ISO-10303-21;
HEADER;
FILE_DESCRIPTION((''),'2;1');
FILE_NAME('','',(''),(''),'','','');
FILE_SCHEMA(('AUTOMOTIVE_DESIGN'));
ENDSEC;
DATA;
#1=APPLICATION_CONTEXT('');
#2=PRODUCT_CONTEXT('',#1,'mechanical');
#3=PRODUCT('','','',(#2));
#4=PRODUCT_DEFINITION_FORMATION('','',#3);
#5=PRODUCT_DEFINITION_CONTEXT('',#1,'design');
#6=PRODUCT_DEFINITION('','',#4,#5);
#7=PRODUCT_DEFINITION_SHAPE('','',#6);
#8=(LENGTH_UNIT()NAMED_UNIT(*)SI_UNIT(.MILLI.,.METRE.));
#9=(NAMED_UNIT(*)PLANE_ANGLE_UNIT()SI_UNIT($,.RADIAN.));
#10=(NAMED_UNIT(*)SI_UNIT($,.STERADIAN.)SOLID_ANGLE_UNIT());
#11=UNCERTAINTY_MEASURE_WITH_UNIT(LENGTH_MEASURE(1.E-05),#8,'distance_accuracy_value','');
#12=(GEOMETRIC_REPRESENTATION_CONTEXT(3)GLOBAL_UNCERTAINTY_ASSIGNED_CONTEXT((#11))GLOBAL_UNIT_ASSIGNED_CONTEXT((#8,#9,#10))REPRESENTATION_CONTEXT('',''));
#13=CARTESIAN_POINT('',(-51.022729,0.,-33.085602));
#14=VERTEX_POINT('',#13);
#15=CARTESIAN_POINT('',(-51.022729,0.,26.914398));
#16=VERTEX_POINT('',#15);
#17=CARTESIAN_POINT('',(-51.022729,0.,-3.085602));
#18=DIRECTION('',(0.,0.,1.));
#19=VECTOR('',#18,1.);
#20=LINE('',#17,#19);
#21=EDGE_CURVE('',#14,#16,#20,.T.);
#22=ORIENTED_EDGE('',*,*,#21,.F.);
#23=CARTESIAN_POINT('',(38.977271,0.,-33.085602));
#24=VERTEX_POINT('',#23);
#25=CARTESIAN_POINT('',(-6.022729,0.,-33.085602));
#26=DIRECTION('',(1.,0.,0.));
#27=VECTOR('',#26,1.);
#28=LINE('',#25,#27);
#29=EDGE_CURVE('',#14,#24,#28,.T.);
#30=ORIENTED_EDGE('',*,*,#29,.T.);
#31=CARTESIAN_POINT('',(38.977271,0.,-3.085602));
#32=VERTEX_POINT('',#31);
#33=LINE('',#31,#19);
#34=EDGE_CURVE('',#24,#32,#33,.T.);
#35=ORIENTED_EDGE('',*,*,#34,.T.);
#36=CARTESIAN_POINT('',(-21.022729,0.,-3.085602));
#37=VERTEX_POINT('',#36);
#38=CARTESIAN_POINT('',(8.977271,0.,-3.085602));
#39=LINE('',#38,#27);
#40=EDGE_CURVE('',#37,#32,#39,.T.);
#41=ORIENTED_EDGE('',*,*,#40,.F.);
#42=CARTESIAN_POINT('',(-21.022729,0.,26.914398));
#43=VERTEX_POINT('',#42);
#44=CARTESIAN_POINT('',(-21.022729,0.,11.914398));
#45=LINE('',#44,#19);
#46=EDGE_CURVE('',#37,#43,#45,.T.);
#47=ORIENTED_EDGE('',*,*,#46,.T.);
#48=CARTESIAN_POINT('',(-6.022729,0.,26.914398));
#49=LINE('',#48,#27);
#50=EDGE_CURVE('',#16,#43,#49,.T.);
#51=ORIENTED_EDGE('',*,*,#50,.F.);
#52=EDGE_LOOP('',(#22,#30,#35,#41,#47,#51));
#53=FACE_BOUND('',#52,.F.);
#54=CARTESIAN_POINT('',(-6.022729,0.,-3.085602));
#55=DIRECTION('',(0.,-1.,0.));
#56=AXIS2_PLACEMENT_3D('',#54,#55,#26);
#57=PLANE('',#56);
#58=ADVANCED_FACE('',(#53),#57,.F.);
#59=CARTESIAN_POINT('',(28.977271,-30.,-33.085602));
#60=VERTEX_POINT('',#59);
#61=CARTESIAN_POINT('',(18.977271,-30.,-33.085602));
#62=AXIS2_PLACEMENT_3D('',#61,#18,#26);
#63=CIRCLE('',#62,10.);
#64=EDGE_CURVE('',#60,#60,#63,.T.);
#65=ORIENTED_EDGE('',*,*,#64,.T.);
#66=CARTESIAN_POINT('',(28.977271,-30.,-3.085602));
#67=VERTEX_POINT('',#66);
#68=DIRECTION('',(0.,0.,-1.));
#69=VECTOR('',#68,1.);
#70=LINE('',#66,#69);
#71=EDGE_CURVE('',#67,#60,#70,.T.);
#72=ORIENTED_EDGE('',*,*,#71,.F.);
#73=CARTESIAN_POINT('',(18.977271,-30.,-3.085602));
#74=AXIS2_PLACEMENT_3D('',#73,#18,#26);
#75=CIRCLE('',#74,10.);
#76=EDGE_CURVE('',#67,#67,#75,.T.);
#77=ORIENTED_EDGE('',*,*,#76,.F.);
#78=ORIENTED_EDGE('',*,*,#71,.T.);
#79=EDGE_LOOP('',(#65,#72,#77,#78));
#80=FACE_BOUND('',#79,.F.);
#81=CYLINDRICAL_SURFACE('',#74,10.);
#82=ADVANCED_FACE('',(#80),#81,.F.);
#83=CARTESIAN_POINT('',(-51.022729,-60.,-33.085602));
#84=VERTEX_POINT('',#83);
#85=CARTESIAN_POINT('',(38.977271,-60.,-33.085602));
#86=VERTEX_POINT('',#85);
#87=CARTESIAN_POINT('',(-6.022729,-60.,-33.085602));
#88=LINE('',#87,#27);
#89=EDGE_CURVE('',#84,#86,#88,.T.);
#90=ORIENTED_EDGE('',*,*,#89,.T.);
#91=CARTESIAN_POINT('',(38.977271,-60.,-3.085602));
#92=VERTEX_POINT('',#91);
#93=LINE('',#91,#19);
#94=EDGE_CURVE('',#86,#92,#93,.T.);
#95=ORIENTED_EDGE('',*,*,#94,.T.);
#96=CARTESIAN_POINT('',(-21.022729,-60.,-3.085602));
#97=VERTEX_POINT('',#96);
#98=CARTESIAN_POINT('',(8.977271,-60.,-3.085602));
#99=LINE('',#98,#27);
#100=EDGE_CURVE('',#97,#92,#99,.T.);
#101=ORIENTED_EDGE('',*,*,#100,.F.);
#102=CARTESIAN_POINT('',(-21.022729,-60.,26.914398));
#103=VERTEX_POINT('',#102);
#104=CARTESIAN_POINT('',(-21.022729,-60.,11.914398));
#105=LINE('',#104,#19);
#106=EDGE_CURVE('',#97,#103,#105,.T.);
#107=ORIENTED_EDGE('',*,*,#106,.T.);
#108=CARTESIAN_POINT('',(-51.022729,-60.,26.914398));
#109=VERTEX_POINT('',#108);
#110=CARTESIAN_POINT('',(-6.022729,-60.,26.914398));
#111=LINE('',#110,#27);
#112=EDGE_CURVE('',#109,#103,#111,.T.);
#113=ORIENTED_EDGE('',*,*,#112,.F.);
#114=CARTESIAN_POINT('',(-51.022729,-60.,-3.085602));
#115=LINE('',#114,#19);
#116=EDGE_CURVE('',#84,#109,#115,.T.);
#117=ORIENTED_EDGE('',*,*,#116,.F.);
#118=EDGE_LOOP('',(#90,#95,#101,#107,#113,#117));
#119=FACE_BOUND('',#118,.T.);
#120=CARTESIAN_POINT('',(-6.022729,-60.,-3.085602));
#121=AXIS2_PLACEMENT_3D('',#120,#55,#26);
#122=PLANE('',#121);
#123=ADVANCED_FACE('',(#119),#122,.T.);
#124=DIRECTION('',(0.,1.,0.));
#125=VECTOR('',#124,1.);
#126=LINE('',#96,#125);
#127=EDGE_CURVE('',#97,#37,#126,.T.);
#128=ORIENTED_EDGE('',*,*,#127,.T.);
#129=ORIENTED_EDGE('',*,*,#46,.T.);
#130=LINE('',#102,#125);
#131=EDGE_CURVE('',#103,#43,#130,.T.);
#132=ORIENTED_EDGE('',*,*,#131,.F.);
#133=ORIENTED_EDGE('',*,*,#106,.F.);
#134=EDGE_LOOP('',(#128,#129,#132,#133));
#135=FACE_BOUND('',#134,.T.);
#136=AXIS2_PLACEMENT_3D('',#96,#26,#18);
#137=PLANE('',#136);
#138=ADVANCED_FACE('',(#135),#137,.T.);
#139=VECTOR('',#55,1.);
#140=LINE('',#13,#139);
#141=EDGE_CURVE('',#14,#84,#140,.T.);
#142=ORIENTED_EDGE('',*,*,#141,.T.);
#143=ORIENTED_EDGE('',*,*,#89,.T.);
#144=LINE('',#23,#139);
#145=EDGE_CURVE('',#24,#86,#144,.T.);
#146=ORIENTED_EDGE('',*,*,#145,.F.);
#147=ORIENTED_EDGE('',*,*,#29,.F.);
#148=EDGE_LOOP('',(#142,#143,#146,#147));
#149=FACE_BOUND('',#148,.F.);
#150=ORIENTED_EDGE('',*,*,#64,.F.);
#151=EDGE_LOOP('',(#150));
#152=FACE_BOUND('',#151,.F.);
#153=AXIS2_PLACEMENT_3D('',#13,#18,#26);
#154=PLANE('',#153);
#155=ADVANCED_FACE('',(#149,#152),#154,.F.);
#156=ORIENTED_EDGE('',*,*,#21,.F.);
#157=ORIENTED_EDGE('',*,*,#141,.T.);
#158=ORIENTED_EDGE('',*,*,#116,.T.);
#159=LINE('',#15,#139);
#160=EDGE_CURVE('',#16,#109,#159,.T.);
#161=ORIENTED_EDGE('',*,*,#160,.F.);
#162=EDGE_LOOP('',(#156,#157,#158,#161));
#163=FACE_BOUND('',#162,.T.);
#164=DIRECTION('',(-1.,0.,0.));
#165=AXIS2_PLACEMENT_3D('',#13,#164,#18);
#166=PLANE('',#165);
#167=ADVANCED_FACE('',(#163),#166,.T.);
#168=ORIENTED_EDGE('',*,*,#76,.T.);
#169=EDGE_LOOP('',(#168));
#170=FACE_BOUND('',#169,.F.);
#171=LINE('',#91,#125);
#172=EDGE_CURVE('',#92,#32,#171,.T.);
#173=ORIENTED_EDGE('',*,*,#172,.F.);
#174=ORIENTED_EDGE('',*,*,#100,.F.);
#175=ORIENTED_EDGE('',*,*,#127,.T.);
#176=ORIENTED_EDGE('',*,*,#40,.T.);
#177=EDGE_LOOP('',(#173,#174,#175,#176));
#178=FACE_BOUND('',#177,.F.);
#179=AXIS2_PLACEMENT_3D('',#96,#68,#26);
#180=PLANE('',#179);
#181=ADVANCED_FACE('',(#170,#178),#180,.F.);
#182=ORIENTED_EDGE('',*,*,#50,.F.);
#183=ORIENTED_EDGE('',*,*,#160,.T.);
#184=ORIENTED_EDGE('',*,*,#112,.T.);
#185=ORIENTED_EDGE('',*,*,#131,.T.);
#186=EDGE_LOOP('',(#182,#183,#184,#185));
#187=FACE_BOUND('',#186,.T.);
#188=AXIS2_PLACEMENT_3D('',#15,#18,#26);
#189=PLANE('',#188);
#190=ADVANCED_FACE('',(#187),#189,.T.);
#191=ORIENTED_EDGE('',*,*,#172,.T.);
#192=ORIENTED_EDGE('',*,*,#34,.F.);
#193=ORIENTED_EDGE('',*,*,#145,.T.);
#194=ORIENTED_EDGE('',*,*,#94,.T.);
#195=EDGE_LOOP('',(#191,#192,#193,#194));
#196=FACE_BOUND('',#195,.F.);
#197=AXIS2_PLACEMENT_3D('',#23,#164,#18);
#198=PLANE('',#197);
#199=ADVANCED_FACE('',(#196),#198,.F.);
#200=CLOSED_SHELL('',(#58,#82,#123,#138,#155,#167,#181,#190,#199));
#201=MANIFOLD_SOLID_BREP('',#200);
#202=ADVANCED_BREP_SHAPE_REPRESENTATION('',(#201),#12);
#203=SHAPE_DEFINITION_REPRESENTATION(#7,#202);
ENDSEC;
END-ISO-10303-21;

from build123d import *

# Parameters (mm, degrees)
F0_W     = 90
F0_H     = 60
F1_DEPTH = 60
F3_W     = 60
F3_H     = 30
F4_DEPTH = 60
F5_R     = 10
F6_DEPTH = 57.47117


with BuildPart() as f1:
    # F0 (on Front) → F1 (new body)
    with BuildSketch(Plane.XZ):
        with Locations((-6.022729, -3.085602)):
            Rectangle(F0_W, F0_H)
    extrude(amount=F1_DEPTH)

    # F3 (on face) → F4 (cut)
    with BuildSketch(Plane.XZ.offset(60)):
        with Locations((8.977271, 11.914398)):
            Rectangle(F3_W, F3_H)
    extrude(amount=-F4_DEPTH, mode=Mode.SUBTRACT)

    # F5 (on face) → F6 (cut)
    with BuildSketch(Plane.XY.offset(-3.085602)):
        with Locations((18.977271, -30)):
            Circle(F5_R)
    extrude(amount=-F6_DEPTH, mode=Mode.SUBTRACT)


solid = f1.part
